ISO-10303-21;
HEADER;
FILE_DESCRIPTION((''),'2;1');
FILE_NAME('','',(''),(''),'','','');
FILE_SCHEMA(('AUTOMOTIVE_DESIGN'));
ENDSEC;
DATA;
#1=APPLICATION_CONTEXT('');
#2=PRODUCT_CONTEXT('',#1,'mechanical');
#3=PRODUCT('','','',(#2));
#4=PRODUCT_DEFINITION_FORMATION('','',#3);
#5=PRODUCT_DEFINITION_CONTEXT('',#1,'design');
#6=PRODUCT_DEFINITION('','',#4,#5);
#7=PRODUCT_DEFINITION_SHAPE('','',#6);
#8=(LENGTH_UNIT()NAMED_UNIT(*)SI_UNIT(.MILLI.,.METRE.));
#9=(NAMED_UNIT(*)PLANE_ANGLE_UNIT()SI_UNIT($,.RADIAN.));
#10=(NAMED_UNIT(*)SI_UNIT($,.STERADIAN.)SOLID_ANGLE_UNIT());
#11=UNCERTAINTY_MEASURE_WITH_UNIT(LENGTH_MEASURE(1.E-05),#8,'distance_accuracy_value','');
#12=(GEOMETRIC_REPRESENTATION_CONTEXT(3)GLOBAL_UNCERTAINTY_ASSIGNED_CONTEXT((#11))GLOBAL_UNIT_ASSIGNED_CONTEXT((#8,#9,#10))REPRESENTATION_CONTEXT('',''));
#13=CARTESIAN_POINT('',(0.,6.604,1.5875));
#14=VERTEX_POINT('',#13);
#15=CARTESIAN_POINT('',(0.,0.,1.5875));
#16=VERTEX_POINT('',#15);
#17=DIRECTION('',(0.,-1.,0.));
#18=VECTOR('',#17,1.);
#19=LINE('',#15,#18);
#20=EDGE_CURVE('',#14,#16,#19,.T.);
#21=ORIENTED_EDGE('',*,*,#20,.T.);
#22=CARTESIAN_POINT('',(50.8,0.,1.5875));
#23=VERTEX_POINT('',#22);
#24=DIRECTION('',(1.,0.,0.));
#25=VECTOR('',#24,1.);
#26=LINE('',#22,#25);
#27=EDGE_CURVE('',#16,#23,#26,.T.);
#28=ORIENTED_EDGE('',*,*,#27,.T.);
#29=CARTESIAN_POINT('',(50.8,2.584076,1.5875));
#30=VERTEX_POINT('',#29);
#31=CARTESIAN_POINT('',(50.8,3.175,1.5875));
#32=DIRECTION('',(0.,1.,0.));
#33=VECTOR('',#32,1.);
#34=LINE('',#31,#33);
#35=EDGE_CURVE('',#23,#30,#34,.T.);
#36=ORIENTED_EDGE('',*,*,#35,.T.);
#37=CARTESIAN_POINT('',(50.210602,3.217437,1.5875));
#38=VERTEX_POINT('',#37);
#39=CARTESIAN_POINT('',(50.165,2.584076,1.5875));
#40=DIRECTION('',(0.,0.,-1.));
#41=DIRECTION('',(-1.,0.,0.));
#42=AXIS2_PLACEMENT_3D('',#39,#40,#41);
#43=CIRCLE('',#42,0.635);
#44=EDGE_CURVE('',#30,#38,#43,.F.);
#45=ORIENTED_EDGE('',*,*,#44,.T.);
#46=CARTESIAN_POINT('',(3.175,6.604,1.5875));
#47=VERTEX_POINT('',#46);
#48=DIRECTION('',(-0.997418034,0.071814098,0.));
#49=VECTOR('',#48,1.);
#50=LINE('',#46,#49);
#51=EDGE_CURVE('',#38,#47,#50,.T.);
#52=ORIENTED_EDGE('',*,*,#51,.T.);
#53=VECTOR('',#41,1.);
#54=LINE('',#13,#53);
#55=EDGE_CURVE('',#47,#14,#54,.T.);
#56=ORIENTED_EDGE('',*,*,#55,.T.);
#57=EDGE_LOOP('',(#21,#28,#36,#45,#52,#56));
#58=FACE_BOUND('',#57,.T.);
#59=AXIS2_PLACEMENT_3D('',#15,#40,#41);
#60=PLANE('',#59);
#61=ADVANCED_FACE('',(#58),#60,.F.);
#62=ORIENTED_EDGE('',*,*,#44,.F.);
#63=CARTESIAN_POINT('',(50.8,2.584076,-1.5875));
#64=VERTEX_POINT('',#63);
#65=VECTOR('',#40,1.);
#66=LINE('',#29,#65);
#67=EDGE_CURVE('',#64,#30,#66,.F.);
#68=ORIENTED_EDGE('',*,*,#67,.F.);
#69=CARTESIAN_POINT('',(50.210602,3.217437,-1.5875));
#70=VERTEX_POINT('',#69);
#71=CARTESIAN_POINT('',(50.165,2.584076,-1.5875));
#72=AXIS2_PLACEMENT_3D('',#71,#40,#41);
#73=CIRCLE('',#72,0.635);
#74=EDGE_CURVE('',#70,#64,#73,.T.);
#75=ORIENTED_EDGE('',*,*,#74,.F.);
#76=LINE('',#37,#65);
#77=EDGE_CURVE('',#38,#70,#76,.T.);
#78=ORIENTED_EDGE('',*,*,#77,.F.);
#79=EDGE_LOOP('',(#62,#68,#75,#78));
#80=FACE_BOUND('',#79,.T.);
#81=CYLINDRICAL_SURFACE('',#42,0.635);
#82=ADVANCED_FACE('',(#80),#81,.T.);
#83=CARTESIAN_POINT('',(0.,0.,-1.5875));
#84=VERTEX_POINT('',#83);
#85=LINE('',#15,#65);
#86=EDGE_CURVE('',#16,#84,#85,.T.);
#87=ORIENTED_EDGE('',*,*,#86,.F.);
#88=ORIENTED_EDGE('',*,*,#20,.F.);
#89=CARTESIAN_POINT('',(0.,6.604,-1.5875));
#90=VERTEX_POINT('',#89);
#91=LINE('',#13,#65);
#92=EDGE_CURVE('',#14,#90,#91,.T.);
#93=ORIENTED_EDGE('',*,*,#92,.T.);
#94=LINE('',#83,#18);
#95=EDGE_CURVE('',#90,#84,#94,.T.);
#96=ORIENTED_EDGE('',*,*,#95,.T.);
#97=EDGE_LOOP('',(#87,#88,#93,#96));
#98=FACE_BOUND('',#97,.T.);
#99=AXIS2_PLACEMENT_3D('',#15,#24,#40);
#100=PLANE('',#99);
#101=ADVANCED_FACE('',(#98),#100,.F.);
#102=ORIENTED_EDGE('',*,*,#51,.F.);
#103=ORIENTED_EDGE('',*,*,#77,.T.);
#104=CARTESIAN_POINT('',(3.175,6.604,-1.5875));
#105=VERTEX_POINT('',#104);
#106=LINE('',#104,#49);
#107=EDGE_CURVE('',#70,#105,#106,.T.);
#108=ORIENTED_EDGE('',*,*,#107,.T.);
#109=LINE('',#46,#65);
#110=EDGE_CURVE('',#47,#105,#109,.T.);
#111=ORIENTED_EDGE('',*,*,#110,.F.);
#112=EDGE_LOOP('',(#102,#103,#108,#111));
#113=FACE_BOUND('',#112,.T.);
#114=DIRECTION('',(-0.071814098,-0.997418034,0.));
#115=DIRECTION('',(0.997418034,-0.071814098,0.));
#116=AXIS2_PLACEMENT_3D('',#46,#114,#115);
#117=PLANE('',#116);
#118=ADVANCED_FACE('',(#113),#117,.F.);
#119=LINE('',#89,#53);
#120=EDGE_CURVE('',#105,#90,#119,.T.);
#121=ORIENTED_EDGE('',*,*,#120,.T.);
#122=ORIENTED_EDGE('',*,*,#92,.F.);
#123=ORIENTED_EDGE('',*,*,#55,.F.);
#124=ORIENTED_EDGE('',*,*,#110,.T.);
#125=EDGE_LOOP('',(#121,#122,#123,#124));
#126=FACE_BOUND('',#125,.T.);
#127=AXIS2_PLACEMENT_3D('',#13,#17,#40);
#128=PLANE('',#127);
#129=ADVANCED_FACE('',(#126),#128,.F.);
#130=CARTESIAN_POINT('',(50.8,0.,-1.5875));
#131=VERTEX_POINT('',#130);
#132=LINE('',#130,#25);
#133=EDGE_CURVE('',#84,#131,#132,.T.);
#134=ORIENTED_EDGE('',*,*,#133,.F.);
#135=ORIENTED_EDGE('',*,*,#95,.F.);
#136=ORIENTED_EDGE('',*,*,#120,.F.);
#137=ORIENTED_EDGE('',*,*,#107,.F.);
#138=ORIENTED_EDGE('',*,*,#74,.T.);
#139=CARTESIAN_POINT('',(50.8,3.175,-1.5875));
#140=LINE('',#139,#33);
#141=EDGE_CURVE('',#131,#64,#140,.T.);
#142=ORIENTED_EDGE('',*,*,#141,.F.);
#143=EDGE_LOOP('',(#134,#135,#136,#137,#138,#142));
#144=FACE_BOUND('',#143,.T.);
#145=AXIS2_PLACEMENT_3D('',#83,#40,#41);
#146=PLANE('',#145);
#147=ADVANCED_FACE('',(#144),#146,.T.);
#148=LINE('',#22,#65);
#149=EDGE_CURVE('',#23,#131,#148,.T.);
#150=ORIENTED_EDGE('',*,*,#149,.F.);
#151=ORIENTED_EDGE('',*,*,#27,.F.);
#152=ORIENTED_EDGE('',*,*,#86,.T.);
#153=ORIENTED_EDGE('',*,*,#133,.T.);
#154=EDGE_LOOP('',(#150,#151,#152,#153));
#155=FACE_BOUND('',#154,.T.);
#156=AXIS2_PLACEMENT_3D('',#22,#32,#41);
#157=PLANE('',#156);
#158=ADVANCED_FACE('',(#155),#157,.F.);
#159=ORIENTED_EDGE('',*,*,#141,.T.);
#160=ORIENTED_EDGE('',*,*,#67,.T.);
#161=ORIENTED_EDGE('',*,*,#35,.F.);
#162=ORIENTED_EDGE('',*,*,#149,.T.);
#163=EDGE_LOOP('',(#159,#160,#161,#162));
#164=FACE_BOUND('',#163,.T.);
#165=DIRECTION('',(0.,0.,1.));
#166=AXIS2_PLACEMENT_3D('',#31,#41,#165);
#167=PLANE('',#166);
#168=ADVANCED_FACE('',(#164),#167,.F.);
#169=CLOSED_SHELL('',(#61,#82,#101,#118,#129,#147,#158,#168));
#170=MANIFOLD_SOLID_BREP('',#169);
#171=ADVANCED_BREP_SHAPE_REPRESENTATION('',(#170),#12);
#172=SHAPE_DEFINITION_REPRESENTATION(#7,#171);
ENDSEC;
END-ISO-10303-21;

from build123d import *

# Parameters (mm, degrees)
BOSS_EXTRUDE1_DEPTH = 1.5875
FILLET1_R           = 0.635


with BuildPart() as part:
    # Sketch1 → Boss-Extrude1 (new, symmetric)
    with BuildSketch(Plane.XY):
        Polygon((0, 0), (0, 6.604), (3.175, 6.604), (50.8, 3.175), (50.8, 0), align=None)
    extrude(amount=BOSS_EXTRUDE1_DEPTH, both=True)

    # Fillet1
    fillet1_edges = [part.edges().sort_by_distance(p)[0] for p in [
        (50.8, 3.175, 0),
    ]]
    fillet(fillet1_edges, radius=FILLET1_R)


solid = part.part
